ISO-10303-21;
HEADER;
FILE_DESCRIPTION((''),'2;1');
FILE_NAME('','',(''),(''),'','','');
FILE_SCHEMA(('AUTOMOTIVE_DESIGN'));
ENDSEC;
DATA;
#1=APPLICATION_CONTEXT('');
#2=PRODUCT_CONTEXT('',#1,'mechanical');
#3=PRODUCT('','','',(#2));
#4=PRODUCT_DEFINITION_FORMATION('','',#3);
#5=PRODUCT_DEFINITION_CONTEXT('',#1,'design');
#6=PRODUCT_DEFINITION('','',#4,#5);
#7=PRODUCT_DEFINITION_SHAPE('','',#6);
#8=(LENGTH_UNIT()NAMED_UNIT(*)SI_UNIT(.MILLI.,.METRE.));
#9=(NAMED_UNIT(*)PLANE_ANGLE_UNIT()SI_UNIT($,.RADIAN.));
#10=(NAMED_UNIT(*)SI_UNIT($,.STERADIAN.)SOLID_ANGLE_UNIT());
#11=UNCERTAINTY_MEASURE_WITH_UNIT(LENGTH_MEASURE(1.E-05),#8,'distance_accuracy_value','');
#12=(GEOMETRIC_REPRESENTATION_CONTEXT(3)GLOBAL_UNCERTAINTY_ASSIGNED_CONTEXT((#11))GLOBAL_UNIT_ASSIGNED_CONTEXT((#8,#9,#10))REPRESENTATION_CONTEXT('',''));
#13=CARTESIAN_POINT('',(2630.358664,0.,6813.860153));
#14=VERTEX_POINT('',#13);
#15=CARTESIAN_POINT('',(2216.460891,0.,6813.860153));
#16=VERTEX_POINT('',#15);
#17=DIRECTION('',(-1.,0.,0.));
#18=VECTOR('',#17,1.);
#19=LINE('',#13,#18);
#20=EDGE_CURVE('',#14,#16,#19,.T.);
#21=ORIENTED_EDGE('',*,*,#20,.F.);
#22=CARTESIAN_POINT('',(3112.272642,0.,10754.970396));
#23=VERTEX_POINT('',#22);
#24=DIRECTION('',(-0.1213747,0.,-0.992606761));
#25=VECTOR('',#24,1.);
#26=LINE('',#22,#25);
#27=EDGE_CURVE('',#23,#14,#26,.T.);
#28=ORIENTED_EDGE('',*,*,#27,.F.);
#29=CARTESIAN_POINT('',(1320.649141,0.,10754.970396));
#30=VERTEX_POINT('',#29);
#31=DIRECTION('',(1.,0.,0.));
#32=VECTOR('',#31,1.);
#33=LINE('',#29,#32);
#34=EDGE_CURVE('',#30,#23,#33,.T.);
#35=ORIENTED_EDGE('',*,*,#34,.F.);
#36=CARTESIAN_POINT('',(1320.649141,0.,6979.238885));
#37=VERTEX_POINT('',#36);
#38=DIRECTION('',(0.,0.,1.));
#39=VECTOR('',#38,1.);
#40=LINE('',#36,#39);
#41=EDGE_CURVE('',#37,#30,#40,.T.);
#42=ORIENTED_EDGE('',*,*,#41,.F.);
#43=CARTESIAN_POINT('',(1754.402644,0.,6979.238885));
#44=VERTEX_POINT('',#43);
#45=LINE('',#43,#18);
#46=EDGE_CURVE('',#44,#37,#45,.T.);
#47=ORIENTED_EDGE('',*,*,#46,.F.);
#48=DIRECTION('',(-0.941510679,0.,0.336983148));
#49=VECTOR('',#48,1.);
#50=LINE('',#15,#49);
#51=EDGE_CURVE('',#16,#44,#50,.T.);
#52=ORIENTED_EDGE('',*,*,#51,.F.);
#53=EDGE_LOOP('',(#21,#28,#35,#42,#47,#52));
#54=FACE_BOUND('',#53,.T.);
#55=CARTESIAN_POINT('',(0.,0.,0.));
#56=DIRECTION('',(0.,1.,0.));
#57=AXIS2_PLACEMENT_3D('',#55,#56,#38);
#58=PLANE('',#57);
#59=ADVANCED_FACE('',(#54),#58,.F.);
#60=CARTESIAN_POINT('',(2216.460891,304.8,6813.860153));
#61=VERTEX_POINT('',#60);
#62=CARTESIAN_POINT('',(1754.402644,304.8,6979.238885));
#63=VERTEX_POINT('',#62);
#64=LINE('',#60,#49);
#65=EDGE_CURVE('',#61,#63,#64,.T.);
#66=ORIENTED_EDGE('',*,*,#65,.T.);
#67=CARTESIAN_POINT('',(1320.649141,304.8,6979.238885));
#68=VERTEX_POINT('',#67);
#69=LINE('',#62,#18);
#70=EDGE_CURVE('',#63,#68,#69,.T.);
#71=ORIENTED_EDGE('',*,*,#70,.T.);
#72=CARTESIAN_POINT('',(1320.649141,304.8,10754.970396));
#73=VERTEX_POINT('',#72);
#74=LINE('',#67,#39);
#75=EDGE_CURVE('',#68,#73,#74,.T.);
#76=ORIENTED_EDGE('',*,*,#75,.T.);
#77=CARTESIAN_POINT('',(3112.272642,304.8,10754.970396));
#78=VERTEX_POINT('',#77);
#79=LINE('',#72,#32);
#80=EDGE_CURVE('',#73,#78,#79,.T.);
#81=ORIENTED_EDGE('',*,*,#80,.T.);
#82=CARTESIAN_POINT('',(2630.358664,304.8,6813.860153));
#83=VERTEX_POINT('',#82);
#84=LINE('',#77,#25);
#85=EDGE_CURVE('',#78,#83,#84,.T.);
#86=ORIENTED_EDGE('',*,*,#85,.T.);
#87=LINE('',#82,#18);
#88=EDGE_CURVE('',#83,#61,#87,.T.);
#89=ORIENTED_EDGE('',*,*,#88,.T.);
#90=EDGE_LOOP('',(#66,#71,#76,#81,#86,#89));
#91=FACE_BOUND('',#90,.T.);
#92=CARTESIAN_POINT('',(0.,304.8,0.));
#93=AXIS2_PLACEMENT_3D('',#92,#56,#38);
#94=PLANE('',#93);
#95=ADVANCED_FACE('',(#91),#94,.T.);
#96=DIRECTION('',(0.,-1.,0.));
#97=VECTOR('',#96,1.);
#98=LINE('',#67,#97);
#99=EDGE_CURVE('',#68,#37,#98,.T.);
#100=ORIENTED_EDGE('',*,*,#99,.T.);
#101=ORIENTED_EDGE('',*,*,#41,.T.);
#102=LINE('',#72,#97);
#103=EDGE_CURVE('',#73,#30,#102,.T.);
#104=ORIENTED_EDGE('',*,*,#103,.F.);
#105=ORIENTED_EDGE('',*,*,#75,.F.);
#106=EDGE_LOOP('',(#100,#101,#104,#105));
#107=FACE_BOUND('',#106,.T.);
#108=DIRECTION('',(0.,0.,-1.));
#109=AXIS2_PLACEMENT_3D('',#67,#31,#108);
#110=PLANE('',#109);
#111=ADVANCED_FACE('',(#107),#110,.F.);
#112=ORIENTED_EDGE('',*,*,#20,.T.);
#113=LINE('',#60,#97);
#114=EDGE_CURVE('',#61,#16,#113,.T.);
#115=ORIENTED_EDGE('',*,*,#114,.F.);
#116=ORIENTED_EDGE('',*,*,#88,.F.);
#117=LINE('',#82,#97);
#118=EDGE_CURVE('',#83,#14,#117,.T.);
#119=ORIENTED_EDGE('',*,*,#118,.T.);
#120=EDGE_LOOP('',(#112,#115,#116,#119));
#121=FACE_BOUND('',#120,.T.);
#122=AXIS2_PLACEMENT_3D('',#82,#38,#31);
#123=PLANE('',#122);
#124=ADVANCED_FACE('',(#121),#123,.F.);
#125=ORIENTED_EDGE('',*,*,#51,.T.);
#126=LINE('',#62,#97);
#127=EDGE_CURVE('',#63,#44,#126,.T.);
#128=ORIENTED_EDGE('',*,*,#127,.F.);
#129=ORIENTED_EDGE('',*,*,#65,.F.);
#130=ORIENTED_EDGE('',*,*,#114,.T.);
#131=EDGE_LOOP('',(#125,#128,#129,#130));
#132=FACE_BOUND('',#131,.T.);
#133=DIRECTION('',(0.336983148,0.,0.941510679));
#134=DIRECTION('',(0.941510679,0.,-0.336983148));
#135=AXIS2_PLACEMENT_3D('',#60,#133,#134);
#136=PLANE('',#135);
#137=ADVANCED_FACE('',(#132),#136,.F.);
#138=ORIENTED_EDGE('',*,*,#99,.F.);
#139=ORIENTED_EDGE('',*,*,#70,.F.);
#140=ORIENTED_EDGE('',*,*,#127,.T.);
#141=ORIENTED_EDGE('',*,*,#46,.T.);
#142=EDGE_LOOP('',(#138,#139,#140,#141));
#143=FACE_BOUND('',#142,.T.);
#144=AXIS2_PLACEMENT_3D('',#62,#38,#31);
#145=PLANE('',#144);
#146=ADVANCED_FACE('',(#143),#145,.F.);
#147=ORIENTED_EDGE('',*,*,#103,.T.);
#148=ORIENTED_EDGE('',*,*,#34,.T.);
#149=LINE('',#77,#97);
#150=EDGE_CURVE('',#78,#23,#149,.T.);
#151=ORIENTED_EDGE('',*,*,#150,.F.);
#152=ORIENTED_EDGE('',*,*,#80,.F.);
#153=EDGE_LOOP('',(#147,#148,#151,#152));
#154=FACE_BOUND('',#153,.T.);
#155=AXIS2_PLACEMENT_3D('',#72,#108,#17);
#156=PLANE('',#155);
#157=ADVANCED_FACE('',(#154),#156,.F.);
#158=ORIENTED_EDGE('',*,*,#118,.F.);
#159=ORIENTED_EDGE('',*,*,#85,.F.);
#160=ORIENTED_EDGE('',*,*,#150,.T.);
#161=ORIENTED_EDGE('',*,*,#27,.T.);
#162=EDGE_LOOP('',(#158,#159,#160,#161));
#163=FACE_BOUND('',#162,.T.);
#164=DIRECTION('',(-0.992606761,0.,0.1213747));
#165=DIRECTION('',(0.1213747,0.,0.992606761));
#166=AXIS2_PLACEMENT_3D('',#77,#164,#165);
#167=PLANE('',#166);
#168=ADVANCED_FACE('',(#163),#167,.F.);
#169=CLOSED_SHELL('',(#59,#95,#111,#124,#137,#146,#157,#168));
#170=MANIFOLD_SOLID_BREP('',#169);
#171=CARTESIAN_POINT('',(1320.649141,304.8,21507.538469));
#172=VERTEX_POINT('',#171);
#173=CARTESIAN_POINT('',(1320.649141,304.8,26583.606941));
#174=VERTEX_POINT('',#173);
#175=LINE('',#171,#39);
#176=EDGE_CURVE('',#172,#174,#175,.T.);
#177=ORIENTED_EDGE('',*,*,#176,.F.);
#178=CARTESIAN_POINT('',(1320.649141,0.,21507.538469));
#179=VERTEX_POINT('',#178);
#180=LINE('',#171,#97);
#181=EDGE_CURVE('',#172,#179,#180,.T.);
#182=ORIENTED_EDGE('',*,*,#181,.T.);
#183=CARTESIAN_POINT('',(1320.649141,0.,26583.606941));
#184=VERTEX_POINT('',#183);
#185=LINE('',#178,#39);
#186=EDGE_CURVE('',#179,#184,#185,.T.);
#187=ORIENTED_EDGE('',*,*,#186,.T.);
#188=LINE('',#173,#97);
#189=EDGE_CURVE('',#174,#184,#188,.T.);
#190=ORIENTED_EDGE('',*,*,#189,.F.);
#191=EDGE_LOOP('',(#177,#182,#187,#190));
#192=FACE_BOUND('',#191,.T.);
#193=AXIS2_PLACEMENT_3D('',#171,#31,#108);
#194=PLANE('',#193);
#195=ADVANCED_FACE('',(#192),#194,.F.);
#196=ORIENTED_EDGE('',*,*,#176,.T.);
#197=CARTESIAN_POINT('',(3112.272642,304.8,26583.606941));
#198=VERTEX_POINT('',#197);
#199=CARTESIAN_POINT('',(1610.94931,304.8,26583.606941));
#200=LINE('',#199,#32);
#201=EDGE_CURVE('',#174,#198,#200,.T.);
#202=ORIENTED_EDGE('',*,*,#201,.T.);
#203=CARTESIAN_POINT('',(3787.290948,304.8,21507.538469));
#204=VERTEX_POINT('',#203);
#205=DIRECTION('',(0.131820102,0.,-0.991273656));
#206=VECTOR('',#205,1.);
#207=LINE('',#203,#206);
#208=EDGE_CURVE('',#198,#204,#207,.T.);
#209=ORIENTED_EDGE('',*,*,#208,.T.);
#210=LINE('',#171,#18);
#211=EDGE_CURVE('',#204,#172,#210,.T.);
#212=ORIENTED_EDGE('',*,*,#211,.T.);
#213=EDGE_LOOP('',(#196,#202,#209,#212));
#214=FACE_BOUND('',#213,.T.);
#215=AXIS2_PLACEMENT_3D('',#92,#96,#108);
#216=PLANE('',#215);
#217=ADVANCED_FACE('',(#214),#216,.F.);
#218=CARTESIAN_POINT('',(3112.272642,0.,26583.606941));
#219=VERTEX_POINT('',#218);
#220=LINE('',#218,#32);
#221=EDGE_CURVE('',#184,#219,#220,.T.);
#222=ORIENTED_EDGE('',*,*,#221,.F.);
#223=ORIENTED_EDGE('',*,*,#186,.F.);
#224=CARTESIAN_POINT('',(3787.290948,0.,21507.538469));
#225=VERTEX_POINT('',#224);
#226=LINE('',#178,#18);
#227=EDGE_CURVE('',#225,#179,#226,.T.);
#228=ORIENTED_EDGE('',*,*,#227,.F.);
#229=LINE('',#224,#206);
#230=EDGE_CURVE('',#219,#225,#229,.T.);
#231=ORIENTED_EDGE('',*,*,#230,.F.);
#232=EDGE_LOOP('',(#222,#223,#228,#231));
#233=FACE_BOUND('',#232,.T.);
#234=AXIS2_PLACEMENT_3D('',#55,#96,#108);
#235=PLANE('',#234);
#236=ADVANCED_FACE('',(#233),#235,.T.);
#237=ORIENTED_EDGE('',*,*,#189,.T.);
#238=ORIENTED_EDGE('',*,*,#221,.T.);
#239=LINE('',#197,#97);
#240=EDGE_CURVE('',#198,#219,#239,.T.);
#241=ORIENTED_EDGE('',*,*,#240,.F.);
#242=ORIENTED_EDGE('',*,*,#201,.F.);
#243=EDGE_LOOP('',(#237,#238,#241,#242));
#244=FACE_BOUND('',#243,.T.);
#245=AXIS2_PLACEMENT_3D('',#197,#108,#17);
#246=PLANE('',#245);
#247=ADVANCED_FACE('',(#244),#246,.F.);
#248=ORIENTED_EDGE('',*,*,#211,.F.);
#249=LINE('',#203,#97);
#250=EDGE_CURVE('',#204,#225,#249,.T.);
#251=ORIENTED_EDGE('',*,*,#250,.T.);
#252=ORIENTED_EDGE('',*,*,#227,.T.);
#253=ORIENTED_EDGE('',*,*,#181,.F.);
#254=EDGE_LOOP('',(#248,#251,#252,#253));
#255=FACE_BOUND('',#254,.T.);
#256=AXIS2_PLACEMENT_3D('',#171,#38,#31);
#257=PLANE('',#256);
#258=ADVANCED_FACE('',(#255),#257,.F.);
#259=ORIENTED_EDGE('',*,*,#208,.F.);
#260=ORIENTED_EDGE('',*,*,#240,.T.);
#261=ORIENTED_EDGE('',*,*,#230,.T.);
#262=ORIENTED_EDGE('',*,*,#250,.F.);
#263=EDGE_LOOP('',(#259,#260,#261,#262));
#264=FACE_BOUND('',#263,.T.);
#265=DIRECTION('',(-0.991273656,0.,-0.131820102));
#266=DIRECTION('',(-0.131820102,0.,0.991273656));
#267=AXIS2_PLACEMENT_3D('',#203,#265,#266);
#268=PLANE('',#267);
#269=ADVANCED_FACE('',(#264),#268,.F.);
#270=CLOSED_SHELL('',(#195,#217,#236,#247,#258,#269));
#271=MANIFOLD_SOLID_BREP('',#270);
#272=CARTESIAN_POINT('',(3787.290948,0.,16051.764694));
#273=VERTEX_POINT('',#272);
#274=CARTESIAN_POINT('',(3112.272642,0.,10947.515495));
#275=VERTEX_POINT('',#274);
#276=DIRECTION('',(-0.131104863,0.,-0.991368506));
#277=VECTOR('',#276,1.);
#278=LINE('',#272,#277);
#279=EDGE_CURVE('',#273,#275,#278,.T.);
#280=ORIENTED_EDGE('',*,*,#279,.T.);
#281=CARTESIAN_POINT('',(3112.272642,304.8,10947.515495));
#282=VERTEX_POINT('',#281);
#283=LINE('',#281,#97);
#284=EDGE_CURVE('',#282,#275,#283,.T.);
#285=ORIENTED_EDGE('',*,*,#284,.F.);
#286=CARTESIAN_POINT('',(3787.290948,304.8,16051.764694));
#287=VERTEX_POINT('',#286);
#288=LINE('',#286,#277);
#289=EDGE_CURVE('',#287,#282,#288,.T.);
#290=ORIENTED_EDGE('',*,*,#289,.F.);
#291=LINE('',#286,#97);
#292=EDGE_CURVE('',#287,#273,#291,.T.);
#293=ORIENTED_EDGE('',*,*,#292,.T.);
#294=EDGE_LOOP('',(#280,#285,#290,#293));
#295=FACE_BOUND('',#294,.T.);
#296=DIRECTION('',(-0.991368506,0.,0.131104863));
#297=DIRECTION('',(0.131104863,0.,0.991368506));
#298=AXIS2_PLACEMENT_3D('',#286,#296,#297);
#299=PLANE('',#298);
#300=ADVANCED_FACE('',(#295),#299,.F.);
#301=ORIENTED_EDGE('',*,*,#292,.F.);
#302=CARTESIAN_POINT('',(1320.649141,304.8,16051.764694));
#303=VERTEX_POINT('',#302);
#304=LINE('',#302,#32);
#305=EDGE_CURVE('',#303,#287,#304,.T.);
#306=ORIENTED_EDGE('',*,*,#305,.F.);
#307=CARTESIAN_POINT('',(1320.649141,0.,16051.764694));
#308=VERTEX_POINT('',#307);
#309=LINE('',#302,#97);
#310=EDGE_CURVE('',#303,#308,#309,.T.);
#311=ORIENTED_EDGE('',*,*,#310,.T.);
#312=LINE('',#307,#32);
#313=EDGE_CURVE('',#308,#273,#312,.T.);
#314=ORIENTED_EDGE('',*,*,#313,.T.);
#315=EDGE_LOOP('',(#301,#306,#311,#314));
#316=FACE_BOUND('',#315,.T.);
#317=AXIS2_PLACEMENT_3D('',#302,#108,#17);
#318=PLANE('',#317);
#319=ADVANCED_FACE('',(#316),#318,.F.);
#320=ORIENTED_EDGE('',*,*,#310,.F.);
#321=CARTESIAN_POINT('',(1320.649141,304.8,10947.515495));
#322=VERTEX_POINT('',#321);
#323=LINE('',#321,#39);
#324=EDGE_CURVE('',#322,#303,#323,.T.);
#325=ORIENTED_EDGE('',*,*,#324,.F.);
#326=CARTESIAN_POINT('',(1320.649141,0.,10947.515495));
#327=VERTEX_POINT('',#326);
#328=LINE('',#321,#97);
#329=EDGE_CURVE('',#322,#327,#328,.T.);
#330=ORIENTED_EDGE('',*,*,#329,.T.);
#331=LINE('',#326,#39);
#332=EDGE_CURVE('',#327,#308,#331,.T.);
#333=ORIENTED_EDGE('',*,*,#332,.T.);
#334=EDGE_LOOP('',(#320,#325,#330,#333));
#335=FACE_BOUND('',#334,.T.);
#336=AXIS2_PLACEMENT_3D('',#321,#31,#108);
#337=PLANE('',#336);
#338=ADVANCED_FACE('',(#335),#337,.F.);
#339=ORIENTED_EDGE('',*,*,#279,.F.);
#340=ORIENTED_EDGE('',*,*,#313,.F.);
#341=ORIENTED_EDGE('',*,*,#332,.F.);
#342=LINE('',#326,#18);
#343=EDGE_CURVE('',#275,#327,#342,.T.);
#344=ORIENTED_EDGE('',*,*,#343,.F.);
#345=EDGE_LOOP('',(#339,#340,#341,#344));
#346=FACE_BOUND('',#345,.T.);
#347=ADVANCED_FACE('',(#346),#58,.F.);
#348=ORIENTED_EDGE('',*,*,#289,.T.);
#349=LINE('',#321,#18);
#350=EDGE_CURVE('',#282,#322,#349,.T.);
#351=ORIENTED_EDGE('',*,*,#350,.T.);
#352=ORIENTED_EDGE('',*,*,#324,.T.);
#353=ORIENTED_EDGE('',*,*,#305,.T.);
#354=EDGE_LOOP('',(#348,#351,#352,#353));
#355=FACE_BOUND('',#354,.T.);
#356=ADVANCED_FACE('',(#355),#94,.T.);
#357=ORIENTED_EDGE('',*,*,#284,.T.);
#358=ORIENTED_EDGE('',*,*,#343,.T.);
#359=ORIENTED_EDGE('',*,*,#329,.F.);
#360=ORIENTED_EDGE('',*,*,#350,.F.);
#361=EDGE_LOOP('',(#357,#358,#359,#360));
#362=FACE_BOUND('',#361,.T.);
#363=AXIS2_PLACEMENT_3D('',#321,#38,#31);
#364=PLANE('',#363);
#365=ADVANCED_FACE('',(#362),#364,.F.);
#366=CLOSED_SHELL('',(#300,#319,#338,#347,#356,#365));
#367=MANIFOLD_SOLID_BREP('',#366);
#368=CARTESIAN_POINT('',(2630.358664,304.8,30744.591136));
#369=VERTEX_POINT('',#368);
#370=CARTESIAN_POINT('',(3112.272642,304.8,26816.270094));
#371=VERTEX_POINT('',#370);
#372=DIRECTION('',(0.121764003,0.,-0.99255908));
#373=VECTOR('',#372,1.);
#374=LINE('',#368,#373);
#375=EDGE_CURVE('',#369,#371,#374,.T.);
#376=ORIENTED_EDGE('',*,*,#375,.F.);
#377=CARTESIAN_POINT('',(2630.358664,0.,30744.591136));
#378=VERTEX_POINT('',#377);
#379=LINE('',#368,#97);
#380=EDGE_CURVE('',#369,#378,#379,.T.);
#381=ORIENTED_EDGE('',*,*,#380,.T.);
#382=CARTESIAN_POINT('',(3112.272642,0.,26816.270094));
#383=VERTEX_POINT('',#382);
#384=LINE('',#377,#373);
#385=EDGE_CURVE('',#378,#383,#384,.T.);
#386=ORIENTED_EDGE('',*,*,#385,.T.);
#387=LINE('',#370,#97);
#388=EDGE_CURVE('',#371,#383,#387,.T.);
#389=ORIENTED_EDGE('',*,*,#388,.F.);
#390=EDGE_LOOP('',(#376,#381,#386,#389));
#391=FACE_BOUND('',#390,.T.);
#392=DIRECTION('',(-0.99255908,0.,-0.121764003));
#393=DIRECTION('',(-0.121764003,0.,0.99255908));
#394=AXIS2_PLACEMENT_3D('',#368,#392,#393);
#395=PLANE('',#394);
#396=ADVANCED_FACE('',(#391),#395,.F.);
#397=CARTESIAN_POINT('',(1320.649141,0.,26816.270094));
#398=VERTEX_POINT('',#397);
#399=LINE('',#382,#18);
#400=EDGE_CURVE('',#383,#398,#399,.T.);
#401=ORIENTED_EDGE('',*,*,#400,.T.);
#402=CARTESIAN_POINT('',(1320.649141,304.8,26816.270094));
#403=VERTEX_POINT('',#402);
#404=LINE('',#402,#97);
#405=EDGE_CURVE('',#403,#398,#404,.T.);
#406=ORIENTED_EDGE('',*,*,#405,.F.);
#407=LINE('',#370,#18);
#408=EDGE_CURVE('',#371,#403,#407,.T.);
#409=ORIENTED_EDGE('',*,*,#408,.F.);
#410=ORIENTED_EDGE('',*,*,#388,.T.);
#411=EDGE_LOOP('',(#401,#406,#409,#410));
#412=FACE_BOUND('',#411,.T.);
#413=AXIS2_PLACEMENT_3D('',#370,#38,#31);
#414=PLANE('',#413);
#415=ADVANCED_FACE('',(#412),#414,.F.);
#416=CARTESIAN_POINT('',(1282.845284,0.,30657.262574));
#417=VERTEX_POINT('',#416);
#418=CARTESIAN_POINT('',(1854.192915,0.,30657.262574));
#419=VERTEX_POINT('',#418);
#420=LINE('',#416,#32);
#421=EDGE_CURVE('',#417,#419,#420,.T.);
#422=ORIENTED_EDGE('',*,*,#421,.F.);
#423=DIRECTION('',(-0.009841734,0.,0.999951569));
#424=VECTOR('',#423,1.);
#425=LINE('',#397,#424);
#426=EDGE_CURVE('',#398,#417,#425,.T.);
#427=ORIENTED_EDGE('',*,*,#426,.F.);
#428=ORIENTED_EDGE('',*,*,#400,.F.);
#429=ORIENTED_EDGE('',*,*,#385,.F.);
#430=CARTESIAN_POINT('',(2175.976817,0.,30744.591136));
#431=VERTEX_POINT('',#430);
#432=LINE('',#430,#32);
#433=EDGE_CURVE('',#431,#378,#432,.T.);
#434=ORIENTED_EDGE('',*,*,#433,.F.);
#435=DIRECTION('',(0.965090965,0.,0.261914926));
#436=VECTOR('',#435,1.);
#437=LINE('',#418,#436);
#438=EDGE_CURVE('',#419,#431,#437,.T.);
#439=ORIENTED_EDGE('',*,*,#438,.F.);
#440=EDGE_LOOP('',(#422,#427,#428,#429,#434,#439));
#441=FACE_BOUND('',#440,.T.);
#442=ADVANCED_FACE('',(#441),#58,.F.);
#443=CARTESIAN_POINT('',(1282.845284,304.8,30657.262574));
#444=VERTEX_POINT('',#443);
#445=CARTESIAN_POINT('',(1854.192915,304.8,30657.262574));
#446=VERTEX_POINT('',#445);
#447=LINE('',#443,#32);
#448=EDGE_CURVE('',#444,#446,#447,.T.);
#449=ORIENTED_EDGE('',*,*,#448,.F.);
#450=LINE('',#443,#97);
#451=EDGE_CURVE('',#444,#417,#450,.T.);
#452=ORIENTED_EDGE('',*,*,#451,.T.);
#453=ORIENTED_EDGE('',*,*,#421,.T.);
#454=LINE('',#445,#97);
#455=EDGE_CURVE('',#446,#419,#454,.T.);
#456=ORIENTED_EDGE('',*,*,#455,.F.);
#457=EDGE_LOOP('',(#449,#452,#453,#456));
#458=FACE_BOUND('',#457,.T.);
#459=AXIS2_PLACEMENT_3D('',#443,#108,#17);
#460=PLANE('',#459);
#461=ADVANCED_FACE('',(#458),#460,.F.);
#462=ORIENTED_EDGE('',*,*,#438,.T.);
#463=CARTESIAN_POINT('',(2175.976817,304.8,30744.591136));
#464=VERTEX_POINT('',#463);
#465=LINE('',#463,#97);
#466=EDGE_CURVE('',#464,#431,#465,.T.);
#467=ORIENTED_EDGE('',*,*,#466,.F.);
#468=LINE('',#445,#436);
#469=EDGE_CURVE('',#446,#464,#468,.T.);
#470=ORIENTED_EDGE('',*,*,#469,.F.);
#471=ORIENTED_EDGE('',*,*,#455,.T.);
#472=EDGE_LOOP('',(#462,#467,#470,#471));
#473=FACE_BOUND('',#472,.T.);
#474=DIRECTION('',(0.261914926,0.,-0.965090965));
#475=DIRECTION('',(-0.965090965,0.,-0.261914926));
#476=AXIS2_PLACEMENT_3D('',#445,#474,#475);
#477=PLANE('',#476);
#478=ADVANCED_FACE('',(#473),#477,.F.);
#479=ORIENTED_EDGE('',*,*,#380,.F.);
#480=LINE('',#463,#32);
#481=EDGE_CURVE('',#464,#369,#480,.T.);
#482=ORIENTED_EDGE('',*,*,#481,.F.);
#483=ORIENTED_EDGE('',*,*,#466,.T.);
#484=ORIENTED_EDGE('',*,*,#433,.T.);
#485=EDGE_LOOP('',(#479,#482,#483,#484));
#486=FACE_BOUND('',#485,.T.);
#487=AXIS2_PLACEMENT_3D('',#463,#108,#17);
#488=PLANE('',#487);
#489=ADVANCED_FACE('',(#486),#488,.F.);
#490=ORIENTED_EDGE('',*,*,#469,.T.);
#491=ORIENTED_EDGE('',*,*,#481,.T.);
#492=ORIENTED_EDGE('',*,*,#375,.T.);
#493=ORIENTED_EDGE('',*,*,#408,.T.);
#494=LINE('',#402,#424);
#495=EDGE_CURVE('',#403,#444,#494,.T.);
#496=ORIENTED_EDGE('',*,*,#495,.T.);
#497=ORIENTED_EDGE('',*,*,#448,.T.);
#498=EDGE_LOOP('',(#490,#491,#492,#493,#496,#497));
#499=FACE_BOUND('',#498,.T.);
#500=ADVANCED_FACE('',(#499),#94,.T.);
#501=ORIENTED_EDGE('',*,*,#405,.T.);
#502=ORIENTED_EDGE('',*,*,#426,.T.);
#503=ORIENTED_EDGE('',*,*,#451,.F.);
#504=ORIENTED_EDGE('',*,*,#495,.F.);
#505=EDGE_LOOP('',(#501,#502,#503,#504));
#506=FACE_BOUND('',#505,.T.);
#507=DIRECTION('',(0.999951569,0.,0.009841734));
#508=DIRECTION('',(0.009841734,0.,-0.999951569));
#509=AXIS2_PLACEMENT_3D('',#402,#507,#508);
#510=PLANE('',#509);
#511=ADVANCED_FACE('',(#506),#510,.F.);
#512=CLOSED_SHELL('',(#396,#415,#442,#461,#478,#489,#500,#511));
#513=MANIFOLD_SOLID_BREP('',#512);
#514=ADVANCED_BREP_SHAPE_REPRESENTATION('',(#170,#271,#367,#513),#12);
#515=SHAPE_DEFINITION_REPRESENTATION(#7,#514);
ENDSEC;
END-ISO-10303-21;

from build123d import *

# Parameters (mm, degrees)
BOSS_EXTRUDE1_DEPTH   = 304.8
BOSS_EXTRUDE1_2_DEPTH = 304.8
BOSS_EXTRUDE1_3_DEPTH = 304.8
BOSS_EXTRUDE1_4_DEPTH = 304.8
SCALE5_SCALE_X        = 0.7
SCALE5_SCALE_Y        = 1
SCALE5_SCALE_Z        = 1


with BuildPart() as part:
    # Sketch1 → Boss-Extrude1 (new body)
    with BuildSketch(Plane(origin=(0, 0, 0), x_dir=(1, 0, 0), z_dir=(0, 1, 0))):
        Polygon((1886.641629334, -10754.970396294), (4446.103774355, -10754.970396294), (3757.655234393, -6813.860152516), (3166.372701844, -6813.860152516), (2506.28949209, -6979.238884979), (1886.641629334, -6979.238884979), align=None)
    extrude(amount=BOSS_EXTRUDE1_DEPTH)


with BuildPart() as body_2:
    # Sketch1 → Boss-Extrude1 2 (new body)
    with BuildSketch(Plane(origin=(0, 0, 0), x_dir=(1, 0, 0), z_dir=(0, 1, 0))):
        Polygon((1886.641629334, -10947.515495193), (4446.103774355, -10947.515495193), (5410.415640064, -16051.764693931), (1886.641629334, -16051.764693931), align=None)
    extrude(amount=BOSS_EXTRUDE1_2_DEPTH)


with BuildPart() as body_3:
    # Sketch1 → Boss-Extrude1 3 (new body)
    with BuildSketch(Plane(origin=(0, 0, 0), x_dir=(1, 0, 0), z_dir=(0, 1, 0))):
        Polygon((1886.641629334, -21507.538468933), (1886.641629334, -26583.606940771), (2301.35615775, -26583.606940771), (4446.103774355, -26583.606940771), (5410.415640064, -21507.538468933), align=None)
    extrude(amount=BOSS_EXTRUDE1_3_DEPTH)


with BuildPart() as body_4:
    # Sketch1 → Boss-Extrude1 4 (new body)
    with BuildSketch(Plane(origin=(0, 0, 0), x_dir=(1, 0, 0), z_dir=(0, 1, 0))):
        Polygon((1886.641629334, -26816.270093761), (1832.636119861, -30657.262573668), (2648.847021842, -30657.262573668), (3108.538310626, -30744.591136472), (3757.655234393, -30744.591136472), (4446.103774355, -26816.270093761), align=None)
    extrude(amount=BOSS_EXTRUDE1_4_DEPTH)


with BuildPart() as body_3_1:
    # Scale5: scaled about (0, 0, 0)
    add(body_3.part.scale((SCALE5_SCALE_X, SCALE5_SCALE_Y, SCALE5_SCALE_Z), about=(0, 0, 0)))


with BuildPart() as body_4_1:
    # Scale5: scaled about (0, 0, 0)
    add(body_4.part.scale((SCALE5_SCALE_X, SCALE5_SCALE_Y, SCALE5_SCALE_Z), about=(0, 0, 0)))


with BuildPart() as part_1:
    # Scale5: scaled about (0, 0, 0)
    add(part.part.scale((SCALE5_SCALE_X, SCALE5_SCALE_Y, SCALE5_SCALE_Z), about=(0, 0, 0)))


with BuildPart() as body_2_1:
    # Scale5: scaled about (0, 0, 0)
    add(body_2.part.scale((SCALE5_SCALE_X, SCALE5_SCALE_Y, SCALE5_SCALE_Z), about=(0, 0, 0)))


solid = Compound([body_3_1.part, body_4_1.part, part_1.part, body_2_1.part])
